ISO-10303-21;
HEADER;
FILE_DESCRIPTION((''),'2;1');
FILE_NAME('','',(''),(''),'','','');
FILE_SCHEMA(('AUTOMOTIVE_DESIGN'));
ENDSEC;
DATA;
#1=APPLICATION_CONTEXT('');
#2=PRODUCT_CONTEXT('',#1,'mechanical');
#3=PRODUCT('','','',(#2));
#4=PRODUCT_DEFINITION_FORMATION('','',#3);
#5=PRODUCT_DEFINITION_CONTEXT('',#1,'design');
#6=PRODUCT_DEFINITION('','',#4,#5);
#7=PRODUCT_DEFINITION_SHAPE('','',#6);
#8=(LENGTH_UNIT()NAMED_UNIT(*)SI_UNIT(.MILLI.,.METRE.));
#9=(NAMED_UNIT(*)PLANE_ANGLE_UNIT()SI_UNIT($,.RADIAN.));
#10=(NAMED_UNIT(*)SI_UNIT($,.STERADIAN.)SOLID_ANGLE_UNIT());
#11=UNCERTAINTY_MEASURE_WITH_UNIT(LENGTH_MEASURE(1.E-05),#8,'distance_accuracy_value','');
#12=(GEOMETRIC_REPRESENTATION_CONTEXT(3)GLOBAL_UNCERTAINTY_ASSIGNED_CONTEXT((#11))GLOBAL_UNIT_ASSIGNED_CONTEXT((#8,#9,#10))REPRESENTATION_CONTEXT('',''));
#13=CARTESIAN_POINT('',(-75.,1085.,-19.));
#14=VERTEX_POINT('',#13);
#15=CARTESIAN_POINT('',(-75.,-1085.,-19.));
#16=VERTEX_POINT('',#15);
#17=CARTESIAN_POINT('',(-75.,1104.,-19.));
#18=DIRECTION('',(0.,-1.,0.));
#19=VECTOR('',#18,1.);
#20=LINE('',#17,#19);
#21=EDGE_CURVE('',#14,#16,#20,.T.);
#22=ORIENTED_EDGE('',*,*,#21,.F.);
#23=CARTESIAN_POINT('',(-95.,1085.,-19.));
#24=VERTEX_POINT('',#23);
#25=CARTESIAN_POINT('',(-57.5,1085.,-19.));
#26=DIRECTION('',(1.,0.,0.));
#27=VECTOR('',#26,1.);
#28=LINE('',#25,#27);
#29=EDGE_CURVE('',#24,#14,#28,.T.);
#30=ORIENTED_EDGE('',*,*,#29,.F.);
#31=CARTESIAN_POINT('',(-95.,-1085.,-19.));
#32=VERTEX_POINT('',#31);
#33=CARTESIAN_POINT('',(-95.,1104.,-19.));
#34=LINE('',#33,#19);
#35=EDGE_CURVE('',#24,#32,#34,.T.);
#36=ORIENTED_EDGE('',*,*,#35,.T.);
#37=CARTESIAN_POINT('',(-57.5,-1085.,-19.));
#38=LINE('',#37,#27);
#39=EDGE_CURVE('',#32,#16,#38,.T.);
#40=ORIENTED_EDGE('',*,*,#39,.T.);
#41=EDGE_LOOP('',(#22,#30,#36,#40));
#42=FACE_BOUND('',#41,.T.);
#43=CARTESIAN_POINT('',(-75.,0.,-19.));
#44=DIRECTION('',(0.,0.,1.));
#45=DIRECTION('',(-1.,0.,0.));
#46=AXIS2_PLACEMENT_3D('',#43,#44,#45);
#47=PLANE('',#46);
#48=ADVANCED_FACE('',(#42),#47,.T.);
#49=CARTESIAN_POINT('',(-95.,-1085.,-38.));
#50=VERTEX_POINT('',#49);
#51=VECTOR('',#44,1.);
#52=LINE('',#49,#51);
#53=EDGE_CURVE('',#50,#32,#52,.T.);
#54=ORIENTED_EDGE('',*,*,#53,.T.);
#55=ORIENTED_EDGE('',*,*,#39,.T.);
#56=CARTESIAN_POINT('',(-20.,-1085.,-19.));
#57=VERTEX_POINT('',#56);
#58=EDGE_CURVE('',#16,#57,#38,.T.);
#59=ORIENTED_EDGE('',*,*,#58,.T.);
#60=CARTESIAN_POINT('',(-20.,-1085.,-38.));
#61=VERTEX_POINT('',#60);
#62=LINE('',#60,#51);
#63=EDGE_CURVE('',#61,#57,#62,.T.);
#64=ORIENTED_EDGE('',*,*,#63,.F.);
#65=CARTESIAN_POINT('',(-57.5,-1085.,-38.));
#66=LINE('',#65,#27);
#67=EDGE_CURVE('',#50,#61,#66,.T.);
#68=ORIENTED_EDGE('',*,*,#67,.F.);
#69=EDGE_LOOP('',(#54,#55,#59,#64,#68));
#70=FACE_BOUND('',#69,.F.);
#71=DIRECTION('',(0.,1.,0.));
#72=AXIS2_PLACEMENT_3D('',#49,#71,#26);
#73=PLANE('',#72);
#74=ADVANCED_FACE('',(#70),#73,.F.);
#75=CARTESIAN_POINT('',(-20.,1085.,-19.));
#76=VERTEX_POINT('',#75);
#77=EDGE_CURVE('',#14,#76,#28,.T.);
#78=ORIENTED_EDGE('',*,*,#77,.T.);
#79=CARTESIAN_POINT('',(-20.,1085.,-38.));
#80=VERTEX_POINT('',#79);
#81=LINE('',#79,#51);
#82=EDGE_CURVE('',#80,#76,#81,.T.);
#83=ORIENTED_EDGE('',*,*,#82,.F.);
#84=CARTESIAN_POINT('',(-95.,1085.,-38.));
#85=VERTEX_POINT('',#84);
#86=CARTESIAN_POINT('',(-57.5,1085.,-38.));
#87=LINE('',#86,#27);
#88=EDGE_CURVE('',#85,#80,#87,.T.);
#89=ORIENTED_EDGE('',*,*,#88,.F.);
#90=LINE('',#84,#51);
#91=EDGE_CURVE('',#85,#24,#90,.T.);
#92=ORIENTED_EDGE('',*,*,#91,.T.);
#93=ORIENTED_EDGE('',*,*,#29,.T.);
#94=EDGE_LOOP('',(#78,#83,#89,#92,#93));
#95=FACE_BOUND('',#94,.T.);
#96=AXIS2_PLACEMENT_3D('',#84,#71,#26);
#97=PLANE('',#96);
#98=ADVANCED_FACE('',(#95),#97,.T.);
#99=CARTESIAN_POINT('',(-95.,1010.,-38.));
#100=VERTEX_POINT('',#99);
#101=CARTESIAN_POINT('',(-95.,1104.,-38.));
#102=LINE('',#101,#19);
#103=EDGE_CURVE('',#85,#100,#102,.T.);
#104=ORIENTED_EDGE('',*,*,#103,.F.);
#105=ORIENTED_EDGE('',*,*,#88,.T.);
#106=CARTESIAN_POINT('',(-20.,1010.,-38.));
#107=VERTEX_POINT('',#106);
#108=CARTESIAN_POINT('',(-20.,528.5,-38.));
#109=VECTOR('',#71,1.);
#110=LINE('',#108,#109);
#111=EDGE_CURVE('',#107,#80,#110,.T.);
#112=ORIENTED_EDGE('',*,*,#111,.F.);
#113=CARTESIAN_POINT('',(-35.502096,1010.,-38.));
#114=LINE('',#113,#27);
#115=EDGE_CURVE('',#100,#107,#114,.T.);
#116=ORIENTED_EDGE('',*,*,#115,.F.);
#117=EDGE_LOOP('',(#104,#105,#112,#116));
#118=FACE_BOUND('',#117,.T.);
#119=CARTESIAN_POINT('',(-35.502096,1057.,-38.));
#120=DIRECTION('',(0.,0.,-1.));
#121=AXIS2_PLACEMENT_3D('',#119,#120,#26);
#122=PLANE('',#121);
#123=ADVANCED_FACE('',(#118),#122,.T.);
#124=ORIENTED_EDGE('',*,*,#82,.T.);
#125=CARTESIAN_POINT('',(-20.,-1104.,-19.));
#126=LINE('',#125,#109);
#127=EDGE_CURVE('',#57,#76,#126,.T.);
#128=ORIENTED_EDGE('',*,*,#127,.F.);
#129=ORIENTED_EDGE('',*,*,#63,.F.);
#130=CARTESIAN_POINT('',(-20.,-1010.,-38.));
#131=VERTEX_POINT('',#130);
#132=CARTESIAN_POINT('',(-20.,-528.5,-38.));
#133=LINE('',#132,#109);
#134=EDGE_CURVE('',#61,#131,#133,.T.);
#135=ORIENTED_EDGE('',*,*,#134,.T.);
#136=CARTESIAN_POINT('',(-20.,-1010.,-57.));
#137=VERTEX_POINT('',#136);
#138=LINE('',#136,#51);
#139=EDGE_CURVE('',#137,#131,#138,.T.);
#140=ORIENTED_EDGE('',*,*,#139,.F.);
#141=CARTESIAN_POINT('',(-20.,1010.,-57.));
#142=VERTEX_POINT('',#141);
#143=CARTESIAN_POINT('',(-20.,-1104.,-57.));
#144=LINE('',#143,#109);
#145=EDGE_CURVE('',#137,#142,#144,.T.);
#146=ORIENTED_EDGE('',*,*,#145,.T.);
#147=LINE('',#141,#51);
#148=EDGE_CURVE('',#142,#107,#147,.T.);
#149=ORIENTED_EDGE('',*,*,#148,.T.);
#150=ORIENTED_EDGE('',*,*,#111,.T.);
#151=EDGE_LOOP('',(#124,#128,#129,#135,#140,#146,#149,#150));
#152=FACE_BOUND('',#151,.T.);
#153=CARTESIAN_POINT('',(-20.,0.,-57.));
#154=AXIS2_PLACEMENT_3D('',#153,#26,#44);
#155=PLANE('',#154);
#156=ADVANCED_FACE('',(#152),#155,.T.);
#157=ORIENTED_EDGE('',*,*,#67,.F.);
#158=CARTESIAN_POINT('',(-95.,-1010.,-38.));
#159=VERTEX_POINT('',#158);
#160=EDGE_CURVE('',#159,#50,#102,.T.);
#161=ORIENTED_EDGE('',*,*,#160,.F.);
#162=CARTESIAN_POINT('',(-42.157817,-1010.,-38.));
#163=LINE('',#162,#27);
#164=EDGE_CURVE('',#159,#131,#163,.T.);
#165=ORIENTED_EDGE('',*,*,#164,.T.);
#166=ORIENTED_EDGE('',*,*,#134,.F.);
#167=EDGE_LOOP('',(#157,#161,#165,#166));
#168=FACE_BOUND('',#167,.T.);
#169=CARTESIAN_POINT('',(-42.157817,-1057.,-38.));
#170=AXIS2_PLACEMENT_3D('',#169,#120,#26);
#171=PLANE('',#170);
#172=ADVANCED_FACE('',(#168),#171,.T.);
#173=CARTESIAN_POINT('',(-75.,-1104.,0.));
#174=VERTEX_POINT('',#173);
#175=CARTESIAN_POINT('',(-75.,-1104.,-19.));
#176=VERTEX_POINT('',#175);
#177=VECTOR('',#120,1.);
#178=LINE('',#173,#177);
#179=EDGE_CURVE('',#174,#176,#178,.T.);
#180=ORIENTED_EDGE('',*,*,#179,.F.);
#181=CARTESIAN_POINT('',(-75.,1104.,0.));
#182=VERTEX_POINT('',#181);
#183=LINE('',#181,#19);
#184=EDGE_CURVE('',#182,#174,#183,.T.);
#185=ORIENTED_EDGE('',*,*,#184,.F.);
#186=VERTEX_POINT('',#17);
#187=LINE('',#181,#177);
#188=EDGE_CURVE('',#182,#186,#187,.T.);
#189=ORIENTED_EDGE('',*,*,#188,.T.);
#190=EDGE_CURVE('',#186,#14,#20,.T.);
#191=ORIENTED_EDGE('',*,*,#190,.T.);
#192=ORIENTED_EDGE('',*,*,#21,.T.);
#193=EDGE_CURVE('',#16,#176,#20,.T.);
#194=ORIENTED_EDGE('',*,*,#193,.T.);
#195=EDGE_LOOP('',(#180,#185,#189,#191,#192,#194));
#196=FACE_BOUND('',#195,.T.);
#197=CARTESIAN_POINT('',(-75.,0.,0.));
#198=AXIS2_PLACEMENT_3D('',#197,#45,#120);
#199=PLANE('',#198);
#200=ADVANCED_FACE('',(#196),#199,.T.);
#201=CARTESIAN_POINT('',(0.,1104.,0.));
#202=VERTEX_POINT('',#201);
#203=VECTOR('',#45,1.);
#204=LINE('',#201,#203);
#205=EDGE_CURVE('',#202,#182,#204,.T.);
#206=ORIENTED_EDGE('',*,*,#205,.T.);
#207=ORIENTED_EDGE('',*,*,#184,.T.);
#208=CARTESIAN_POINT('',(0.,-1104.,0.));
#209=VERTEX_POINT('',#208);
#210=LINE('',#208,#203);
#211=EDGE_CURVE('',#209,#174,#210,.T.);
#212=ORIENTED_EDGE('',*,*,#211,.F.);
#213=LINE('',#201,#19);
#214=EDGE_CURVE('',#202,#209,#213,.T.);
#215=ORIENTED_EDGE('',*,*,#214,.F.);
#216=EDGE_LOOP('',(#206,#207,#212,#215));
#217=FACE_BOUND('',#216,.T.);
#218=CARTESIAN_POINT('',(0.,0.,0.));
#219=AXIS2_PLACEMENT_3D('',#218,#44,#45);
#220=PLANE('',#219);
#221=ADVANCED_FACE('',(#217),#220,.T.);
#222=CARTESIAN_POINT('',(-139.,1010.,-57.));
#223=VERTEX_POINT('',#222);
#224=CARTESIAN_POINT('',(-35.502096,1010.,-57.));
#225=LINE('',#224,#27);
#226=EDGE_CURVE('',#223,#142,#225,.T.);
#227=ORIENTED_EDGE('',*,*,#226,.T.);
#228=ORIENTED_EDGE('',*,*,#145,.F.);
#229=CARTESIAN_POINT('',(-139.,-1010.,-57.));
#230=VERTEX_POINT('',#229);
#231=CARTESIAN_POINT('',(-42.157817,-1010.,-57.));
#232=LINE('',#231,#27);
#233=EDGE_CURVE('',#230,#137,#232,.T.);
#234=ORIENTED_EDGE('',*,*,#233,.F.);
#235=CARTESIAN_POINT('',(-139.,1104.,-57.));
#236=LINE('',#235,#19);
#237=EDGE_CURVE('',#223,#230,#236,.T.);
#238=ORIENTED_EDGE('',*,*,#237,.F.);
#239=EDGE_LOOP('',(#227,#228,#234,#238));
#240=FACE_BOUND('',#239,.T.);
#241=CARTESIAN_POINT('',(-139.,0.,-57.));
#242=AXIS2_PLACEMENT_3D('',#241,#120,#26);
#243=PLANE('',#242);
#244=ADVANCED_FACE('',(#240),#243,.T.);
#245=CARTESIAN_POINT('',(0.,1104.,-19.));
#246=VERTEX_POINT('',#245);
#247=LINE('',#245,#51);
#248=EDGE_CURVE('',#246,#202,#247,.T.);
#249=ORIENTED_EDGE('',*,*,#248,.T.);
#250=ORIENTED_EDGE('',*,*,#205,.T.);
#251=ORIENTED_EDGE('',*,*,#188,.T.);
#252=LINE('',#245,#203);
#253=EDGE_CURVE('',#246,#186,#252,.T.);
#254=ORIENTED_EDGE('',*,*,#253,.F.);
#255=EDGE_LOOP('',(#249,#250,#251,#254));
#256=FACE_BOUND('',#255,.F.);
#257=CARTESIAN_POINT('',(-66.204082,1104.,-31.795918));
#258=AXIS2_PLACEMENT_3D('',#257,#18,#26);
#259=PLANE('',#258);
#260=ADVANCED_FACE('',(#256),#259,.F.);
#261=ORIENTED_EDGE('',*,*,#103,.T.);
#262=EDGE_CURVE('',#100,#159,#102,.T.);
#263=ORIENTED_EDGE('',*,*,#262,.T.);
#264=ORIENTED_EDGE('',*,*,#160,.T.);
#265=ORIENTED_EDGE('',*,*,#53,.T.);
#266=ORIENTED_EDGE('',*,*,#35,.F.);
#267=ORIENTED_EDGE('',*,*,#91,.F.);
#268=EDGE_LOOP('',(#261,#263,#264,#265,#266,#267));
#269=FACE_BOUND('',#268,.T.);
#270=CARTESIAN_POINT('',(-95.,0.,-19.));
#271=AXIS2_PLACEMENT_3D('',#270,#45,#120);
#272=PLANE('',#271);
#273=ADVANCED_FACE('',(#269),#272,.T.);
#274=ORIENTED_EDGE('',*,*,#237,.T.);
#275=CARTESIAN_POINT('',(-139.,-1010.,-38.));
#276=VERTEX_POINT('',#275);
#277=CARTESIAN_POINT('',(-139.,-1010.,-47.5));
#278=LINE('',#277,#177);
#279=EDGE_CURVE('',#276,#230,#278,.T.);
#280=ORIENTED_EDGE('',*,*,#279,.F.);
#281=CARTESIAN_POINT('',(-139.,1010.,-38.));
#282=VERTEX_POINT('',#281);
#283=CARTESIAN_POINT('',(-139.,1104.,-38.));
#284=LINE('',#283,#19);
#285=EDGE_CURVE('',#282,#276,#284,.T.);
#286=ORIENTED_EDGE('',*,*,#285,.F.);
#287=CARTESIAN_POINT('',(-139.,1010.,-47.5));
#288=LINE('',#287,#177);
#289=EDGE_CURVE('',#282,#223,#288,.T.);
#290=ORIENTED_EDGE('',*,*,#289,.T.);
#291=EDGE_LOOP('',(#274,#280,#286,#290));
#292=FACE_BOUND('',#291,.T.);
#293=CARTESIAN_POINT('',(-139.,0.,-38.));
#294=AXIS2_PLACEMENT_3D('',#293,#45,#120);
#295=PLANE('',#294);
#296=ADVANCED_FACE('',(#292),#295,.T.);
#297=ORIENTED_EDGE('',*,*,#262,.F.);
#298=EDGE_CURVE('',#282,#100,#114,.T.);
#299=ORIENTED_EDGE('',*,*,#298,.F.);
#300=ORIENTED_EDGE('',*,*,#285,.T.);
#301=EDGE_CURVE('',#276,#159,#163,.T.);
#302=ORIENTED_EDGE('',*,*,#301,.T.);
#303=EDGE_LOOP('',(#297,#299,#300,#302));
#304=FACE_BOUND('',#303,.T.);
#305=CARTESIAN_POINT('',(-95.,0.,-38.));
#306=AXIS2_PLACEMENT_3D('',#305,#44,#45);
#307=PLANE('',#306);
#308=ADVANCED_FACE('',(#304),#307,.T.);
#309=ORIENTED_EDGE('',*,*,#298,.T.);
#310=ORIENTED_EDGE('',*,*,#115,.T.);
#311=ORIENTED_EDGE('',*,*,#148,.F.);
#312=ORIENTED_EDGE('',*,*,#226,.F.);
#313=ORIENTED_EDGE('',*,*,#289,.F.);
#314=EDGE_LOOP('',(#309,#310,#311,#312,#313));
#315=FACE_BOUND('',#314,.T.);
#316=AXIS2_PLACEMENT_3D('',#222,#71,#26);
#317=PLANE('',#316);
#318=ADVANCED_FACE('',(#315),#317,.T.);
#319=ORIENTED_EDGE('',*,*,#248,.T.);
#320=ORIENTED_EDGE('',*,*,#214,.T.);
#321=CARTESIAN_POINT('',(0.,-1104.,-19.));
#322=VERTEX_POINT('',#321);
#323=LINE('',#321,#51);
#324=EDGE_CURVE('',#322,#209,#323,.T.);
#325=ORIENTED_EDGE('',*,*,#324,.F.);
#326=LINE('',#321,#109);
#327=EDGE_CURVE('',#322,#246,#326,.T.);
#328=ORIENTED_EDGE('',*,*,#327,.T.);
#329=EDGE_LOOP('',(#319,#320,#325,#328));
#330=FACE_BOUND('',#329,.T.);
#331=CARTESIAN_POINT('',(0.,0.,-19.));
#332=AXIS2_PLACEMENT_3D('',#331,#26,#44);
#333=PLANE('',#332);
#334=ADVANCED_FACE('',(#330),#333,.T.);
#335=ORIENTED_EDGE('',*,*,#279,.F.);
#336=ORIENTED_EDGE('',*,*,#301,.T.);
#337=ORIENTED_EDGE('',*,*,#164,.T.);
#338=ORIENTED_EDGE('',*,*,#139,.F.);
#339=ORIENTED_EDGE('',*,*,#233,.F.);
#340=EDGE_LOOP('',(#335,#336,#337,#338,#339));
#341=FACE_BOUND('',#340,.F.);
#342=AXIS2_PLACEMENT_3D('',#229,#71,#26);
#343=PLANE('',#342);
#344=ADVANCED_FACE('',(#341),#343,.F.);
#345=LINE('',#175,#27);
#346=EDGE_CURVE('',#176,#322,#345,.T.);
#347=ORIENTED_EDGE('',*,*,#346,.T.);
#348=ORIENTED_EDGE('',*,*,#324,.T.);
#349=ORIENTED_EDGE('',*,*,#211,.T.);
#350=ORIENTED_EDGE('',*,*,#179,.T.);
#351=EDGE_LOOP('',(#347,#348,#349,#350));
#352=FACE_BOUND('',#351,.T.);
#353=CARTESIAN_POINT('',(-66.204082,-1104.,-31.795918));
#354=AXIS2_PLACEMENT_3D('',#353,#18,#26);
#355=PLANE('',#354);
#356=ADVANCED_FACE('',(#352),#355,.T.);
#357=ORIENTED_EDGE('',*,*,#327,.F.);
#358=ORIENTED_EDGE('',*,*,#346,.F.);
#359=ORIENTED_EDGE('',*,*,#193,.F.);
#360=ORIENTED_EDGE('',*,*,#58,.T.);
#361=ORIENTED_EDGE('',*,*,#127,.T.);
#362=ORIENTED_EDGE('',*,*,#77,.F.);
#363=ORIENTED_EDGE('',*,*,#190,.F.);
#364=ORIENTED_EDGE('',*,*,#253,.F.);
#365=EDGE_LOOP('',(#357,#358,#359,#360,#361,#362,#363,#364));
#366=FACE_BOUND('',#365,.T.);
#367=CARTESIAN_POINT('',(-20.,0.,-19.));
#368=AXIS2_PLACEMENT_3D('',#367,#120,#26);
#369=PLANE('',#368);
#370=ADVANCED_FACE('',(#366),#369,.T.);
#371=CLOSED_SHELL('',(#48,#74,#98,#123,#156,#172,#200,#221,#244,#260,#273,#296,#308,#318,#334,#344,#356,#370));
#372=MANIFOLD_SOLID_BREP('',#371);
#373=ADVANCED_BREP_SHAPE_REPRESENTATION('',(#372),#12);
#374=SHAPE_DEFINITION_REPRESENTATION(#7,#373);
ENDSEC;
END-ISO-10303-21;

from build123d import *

# Parameters (mm, degrees)
F1_DEPTH = 1104
F2_W     = 193.684367
F2_H     = 94
F2_W_2   = 206.995809
F3_DEPTH = 19
F4_W     = 75
F4_H     = 19
F5_DEPTH = 19


with BuildPart() as f1:
    # F0 (on Front) → F1 (new body, symmetric)
    with BuildSketch(Plane.XZ):
        Polygon((0, -19), (0, 0), (-75, 0), (-75, -19), (-95, -19), (-95, -38), (-139, -38), (-139, -57), (-20, -57), (-20, -19), align=None)
    extrude(amount=F1_DEPTH, both=True)

    # F2 (on face) → F3 (cut)
    with BuildSketch(Plane(origin=(0, 0, -57), x_dir=(1, 0, 0), z_dir=(0, 0, -1))):
        with Locations((-42.157817, 1057)):
            Rectangle(F2_W, F2_H)
        with Locations((-35.502096, -1057)):
            Rectangle(F2_W_2, F2_H)
    extrude(amount=-F3_DEPTH, mode=Mode.SUBTRACT)

    # F4 (on face) → F5 (cut)
    with BuildSketch(Plane(origin=(0, 0, -38), x_dir=(1, 0, 0), z_dir=(0, 0, -1))):
        with Locations((-57.5, 1094.5)):
            Rectangle(F4_W, F4_H)
        with Locations((-57.5, -1094.5)):
            Rectangle(F4_W, F4_H)
    extrude(amount=-F5_DEPTH, mode=Mode.SUBTRACT)


solid = f1.part
